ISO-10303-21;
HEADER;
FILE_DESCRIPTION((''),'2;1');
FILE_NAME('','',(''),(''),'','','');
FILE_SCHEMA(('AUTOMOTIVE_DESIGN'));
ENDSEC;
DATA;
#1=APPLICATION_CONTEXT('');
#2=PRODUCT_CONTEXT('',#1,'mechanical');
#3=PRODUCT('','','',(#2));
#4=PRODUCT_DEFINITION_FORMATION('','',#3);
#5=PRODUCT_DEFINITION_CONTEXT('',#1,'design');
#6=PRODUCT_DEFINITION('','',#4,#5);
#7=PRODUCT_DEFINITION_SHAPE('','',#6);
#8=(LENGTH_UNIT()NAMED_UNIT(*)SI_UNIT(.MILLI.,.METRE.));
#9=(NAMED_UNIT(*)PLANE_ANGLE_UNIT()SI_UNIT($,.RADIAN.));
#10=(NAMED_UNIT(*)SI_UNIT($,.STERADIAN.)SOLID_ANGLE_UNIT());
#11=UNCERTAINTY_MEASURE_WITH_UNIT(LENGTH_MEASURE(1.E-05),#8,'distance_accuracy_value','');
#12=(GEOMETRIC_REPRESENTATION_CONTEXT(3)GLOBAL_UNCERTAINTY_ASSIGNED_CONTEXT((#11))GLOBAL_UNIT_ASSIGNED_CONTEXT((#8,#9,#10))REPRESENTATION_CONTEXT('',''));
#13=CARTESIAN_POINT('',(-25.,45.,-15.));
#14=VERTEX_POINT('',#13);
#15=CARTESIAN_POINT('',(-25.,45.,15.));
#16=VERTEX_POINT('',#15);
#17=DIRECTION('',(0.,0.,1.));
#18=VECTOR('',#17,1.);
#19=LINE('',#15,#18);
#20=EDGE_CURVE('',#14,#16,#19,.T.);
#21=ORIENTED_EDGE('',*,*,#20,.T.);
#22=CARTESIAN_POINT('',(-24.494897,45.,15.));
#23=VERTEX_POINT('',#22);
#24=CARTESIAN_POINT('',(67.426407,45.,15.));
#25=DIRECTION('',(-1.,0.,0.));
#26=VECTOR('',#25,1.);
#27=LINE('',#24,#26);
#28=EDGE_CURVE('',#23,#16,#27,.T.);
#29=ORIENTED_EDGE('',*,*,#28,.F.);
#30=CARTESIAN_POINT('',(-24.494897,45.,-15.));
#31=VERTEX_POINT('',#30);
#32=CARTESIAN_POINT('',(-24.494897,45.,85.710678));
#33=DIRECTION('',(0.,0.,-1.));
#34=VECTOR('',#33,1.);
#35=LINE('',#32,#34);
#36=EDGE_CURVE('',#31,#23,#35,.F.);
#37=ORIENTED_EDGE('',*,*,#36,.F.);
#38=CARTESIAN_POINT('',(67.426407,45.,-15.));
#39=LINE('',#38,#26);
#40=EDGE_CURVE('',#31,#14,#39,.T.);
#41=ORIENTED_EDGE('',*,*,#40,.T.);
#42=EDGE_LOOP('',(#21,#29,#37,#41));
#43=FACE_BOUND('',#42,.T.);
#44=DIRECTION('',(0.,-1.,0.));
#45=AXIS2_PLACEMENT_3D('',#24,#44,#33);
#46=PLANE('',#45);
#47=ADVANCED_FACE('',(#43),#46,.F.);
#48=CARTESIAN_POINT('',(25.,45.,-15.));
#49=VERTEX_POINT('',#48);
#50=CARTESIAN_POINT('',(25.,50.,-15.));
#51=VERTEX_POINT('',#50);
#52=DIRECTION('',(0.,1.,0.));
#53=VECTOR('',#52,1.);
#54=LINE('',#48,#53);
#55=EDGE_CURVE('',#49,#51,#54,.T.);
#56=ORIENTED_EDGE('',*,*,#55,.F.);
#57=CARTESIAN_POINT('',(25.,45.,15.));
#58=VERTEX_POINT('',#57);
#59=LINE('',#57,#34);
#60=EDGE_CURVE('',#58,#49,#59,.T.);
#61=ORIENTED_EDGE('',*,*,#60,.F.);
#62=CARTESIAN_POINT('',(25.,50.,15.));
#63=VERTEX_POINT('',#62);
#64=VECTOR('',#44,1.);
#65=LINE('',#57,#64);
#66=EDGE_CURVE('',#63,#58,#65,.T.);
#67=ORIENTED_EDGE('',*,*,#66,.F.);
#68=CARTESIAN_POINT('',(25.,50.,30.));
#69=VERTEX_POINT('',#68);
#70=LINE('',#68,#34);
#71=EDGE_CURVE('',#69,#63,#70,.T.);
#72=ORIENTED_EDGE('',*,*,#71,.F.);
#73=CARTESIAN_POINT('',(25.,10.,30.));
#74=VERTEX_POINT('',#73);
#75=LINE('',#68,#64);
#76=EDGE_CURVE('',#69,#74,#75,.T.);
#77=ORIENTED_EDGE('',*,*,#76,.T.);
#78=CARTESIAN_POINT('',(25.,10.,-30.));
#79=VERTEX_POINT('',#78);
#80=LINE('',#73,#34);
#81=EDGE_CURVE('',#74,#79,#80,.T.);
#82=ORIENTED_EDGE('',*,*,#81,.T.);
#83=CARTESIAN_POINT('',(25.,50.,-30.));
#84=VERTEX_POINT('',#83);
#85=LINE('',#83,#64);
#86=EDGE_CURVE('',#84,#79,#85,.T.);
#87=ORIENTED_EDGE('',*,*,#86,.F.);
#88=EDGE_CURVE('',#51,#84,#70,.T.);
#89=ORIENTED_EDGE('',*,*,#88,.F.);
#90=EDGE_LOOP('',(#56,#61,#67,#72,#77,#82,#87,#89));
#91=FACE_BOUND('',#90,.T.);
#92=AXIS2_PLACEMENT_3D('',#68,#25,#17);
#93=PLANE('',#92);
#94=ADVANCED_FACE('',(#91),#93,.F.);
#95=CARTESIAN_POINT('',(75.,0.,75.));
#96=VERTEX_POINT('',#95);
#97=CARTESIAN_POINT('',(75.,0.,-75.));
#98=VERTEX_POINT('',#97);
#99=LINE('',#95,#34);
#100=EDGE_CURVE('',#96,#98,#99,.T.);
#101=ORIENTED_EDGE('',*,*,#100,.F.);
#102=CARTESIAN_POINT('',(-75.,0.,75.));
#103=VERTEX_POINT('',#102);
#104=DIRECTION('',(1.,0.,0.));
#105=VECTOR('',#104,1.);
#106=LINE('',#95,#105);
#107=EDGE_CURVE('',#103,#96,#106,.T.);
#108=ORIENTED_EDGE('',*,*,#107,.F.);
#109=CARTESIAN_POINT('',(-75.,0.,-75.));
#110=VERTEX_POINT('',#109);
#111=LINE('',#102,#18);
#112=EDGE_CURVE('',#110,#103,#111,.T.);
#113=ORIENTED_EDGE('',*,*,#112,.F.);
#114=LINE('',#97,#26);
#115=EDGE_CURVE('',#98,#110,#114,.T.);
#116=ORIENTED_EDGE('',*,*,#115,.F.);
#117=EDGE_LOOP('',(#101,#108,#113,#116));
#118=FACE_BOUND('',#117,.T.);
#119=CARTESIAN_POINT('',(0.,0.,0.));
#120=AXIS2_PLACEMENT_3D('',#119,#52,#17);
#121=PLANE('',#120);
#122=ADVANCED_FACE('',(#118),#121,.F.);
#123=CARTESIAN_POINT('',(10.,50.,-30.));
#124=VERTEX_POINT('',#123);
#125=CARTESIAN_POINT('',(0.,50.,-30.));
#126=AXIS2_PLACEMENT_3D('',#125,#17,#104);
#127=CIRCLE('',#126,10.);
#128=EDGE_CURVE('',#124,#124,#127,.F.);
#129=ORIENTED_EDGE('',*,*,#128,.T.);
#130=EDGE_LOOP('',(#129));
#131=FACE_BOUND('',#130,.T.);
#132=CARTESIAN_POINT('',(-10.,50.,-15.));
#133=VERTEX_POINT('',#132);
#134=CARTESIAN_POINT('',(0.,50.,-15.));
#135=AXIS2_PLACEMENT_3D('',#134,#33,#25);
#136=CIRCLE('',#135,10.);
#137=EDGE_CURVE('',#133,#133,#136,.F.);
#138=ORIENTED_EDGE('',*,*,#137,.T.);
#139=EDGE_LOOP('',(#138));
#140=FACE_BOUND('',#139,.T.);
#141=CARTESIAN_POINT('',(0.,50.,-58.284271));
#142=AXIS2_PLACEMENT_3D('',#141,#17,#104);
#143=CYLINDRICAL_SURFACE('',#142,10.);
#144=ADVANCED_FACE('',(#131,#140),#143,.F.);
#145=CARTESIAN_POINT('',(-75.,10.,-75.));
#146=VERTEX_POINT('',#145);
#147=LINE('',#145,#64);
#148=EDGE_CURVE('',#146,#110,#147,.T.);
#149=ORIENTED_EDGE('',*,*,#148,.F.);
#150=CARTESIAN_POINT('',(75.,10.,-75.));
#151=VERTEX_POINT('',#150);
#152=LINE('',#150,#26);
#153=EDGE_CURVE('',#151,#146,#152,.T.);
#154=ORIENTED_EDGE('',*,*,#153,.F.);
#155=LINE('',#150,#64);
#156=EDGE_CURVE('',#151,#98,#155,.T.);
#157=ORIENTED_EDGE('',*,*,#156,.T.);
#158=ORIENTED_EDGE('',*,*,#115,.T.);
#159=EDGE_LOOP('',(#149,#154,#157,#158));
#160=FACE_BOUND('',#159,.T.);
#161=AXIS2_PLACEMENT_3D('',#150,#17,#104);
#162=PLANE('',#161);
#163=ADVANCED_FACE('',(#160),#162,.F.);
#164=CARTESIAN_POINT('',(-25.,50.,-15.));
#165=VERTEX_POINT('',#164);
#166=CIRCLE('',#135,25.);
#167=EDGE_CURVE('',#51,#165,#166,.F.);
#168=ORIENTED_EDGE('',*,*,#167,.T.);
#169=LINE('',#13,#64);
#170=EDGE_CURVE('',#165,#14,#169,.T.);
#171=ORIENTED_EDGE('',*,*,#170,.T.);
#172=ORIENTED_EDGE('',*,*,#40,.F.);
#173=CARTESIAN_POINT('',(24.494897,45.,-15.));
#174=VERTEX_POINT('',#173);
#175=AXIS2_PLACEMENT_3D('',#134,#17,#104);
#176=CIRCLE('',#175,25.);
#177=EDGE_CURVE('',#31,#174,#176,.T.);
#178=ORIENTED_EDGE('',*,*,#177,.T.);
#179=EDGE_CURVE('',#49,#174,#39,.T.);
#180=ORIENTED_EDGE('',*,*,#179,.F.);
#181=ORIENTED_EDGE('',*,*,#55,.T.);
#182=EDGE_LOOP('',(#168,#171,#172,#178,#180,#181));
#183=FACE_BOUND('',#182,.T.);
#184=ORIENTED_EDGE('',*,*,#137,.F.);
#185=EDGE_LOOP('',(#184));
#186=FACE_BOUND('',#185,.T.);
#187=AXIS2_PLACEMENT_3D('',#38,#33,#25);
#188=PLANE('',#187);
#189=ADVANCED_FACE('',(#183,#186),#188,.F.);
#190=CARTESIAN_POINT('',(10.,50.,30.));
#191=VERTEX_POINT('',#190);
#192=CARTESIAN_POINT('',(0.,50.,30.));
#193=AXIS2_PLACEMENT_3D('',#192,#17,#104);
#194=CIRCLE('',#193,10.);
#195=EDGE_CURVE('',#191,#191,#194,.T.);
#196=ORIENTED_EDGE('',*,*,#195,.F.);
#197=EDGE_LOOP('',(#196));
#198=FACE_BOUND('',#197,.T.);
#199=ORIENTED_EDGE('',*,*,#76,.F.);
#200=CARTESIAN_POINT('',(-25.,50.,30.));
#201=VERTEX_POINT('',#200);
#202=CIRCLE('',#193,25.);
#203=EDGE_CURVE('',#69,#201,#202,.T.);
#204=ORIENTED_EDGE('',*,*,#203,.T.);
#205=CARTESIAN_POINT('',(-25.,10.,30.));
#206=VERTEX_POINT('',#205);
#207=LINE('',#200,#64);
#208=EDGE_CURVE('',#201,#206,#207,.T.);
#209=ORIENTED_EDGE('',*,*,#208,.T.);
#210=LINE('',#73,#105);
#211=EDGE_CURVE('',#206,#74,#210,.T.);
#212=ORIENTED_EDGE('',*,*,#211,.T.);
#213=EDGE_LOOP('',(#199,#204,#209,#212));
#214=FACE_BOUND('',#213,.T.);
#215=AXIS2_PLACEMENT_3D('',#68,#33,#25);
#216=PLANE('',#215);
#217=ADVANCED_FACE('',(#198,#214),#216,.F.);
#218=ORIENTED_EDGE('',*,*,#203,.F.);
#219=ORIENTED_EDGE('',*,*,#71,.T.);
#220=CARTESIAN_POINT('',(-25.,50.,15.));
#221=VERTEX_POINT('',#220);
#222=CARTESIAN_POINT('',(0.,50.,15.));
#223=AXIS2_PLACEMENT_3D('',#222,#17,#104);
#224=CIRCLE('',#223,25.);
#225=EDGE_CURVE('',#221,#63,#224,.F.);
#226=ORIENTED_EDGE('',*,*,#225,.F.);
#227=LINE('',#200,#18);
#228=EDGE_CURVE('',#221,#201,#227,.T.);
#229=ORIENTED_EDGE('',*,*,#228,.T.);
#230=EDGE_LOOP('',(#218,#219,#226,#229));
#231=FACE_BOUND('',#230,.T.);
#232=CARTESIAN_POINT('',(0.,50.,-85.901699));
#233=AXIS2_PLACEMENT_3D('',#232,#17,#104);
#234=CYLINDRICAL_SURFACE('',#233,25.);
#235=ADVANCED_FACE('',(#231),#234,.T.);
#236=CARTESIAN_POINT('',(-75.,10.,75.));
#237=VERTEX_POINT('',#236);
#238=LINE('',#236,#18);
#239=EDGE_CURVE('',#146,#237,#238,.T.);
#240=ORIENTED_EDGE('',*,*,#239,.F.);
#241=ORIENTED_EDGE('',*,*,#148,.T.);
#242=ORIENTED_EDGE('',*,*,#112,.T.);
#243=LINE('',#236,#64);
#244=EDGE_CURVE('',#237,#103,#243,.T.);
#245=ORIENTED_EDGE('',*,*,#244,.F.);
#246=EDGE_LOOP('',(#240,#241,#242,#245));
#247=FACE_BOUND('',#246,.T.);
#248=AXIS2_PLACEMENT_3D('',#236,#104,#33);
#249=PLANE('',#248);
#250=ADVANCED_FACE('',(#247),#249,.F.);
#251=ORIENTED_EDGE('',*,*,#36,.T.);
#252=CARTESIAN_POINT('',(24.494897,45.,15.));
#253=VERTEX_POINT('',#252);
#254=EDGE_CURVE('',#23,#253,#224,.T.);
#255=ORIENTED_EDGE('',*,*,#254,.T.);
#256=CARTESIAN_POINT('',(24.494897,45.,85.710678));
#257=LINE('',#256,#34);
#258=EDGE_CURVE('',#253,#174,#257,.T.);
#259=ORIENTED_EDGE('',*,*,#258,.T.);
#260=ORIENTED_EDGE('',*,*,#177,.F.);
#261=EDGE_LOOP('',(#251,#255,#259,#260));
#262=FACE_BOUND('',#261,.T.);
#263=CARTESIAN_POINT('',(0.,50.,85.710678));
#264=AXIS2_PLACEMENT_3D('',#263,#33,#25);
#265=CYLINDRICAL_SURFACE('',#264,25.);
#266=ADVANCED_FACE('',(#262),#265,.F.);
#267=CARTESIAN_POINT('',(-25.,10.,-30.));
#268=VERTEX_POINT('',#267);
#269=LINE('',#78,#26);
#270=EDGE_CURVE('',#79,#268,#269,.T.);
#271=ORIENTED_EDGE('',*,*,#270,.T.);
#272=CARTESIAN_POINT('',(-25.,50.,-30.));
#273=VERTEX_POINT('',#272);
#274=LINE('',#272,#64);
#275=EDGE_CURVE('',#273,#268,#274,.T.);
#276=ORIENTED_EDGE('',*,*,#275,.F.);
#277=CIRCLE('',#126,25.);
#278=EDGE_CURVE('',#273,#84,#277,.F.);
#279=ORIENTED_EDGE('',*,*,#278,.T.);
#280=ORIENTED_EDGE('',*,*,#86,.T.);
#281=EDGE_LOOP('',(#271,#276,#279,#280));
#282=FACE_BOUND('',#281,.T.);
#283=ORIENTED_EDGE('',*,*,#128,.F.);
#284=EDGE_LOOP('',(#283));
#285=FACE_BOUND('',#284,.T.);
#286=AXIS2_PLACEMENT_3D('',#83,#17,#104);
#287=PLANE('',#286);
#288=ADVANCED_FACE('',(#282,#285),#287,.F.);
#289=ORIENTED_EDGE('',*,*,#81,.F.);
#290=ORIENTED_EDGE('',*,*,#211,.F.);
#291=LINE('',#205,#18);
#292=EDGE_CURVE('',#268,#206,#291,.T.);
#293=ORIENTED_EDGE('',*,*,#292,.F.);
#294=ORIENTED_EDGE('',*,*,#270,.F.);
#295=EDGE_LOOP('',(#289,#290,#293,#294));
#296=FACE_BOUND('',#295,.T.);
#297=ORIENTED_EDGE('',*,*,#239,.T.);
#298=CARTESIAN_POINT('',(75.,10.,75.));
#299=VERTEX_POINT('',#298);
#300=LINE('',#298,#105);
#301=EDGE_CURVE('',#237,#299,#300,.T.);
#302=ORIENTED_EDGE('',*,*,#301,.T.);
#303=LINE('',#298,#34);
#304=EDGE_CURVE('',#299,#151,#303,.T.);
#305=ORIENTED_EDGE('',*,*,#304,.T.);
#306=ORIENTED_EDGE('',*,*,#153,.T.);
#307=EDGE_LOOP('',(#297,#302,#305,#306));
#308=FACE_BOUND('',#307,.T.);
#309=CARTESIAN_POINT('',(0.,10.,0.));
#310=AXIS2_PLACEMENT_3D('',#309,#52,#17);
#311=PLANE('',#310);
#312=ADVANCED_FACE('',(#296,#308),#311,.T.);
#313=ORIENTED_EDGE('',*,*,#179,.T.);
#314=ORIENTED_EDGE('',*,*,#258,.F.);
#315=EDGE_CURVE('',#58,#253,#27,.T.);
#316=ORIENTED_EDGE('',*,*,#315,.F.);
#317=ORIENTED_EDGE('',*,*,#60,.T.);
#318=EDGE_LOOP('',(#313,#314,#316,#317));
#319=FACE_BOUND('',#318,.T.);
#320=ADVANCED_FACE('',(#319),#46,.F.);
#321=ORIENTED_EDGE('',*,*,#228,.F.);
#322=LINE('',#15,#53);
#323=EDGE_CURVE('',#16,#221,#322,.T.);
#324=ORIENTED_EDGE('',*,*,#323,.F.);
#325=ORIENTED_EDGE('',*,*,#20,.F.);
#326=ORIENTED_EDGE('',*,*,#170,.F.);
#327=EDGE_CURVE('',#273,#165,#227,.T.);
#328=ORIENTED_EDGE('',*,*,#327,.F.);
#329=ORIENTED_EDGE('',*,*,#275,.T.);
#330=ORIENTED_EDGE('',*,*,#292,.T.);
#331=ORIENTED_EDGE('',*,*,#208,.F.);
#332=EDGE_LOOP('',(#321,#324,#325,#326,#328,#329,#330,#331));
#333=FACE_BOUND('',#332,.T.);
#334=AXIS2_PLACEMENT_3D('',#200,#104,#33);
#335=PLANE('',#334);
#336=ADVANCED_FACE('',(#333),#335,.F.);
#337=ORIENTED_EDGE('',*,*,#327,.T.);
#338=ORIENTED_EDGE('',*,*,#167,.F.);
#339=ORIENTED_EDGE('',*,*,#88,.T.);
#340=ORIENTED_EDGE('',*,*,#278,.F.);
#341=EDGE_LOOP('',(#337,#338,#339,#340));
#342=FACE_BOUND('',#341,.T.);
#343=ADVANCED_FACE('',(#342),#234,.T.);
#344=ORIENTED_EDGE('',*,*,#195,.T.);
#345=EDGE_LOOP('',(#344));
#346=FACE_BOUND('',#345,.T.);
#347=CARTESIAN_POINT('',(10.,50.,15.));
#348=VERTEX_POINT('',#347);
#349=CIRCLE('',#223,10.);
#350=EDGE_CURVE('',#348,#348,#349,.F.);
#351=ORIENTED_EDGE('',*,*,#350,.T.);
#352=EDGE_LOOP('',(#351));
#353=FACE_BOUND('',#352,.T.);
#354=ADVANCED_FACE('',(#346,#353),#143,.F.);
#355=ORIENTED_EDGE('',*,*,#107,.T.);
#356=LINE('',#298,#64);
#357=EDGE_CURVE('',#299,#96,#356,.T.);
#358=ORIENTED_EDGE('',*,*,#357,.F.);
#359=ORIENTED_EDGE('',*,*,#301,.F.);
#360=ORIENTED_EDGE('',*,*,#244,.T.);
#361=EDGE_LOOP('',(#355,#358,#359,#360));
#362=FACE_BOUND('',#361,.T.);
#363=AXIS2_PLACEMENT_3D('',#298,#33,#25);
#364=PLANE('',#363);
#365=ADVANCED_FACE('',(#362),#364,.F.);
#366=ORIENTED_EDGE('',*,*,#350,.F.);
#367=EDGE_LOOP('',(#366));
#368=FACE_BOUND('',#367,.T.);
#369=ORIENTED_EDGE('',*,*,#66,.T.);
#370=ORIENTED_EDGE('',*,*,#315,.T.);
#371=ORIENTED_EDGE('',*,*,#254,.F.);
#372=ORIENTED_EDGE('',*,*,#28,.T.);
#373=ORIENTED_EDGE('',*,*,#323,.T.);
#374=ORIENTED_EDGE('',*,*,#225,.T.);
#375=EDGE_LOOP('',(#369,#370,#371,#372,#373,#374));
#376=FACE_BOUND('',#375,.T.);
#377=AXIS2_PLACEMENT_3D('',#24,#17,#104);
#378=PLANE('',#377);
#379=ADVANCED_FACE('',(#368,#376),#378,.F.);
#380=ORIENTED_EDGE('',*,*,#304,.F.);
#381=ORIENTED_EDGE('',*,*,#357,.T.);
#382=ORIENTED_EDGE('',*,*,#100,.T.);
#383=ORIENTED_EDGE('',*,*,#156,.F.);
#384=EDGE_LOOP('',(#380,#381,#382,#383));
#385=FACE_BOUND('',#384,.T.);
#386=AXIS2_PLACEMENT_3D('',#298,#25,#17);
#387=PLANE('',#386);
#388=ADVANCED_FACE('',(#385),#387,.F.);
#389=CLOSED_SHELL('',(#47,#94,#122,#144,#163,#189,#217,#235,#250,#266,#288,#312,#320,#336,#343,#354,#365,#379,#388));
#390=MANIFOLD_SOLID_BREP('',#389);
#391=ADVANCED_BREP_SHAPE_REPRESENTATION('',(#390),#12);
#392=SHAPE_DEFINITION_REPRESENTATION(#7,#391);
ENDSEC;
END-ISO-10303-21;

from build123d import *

# Parameters (mm, degrees)
SKETCH1_W           = 150
SKETCH1_H           = 150
BOSS_EXTRUDE1_DEPTH = 10
SKETCH2_W           = 50
SKETCH2_H           = 60
BOSS_EXTRUDE2_DEPTH = 40
BOSS_EXTRUDE3_DEPTH = 60
SKETCH4_R           = 10
CUT_EXTRUDE1_DEPTH  = 60
SKETCH5_W           = 30
SKETCH5_H           = 30
CUT_EXTRUDE2_DEPTH  = 50
SKETCH6_R           = 25
CUT_EXTRUDE3_DEPTH  = 30


with BuildPart() as part:
    # Sketch1 → Boss-Extrude1 (new body)
    with BuildSketch(Plane(origin=(0, 0, 0), x_dir=(1, 0, 0), z_dir=(0, 1, 0))):
        Rectangle(SKETCH1_W, SKETCH1_H)
    extrude(amount=BOSS_EXTRUDE1_DEPTH)

    # Sketch2 → Boss-Extrude2 (add)
    with BuildSketch(Plane(origin=(0, 10, 0), x_dir=(1, 0, 0), z_dir=(0, 1, 0))):
        Rectangle(SKETCH2_W, SKETCH2_H)
    extrude(amount=BOSS_EXTRUDE2_DEPTH)

    # Sketch3 → Boss-Extrude3 (add)
    with BuildSketch(Plane.XY.offset(30)):
        with BuildLine():
            Line((-25, 50), (25, 50))
            ThreePointArc((25, 50), (0, 75), (-25, 50))
        make_face()
    extrude(amount=-BOSS_EXTRUDE3_DEPTH)

    # Sketch4 → Cut-Extrude1 (cut)
    with BuildSketch(Plane.XY.offset(30)):
        with Locations((0, 50)):
            Circle(SKETCH4_R)
    extrude(amount=-CUT_EXTRUDE1_DEPTH, mode=Mode.SUBTRACT)

    # Sketch5 → Cut-Extrude2 (cut)
    with BuildSketch(Plane.ZY.offset(25)):
        with Locations((0, 60)):
            Rectangle(SKETCH5_W, SKETCH5_H)
    extrude(amount=-CUT_EXTRUDE2_DEPTH, mode=Mode.SUBTRACT)

    # Sketch6 → Cut-Extrude3 (cut)
    with BuildSketch(Plane.XY.offset(-15)):
        with Locations((0, 50)):
            Circle(SKETCH6_R)
    extrude(amount=CUT_EXTRUDE3_DEPTH, mode=Mode.SUBTRACT)


solid = part.part
